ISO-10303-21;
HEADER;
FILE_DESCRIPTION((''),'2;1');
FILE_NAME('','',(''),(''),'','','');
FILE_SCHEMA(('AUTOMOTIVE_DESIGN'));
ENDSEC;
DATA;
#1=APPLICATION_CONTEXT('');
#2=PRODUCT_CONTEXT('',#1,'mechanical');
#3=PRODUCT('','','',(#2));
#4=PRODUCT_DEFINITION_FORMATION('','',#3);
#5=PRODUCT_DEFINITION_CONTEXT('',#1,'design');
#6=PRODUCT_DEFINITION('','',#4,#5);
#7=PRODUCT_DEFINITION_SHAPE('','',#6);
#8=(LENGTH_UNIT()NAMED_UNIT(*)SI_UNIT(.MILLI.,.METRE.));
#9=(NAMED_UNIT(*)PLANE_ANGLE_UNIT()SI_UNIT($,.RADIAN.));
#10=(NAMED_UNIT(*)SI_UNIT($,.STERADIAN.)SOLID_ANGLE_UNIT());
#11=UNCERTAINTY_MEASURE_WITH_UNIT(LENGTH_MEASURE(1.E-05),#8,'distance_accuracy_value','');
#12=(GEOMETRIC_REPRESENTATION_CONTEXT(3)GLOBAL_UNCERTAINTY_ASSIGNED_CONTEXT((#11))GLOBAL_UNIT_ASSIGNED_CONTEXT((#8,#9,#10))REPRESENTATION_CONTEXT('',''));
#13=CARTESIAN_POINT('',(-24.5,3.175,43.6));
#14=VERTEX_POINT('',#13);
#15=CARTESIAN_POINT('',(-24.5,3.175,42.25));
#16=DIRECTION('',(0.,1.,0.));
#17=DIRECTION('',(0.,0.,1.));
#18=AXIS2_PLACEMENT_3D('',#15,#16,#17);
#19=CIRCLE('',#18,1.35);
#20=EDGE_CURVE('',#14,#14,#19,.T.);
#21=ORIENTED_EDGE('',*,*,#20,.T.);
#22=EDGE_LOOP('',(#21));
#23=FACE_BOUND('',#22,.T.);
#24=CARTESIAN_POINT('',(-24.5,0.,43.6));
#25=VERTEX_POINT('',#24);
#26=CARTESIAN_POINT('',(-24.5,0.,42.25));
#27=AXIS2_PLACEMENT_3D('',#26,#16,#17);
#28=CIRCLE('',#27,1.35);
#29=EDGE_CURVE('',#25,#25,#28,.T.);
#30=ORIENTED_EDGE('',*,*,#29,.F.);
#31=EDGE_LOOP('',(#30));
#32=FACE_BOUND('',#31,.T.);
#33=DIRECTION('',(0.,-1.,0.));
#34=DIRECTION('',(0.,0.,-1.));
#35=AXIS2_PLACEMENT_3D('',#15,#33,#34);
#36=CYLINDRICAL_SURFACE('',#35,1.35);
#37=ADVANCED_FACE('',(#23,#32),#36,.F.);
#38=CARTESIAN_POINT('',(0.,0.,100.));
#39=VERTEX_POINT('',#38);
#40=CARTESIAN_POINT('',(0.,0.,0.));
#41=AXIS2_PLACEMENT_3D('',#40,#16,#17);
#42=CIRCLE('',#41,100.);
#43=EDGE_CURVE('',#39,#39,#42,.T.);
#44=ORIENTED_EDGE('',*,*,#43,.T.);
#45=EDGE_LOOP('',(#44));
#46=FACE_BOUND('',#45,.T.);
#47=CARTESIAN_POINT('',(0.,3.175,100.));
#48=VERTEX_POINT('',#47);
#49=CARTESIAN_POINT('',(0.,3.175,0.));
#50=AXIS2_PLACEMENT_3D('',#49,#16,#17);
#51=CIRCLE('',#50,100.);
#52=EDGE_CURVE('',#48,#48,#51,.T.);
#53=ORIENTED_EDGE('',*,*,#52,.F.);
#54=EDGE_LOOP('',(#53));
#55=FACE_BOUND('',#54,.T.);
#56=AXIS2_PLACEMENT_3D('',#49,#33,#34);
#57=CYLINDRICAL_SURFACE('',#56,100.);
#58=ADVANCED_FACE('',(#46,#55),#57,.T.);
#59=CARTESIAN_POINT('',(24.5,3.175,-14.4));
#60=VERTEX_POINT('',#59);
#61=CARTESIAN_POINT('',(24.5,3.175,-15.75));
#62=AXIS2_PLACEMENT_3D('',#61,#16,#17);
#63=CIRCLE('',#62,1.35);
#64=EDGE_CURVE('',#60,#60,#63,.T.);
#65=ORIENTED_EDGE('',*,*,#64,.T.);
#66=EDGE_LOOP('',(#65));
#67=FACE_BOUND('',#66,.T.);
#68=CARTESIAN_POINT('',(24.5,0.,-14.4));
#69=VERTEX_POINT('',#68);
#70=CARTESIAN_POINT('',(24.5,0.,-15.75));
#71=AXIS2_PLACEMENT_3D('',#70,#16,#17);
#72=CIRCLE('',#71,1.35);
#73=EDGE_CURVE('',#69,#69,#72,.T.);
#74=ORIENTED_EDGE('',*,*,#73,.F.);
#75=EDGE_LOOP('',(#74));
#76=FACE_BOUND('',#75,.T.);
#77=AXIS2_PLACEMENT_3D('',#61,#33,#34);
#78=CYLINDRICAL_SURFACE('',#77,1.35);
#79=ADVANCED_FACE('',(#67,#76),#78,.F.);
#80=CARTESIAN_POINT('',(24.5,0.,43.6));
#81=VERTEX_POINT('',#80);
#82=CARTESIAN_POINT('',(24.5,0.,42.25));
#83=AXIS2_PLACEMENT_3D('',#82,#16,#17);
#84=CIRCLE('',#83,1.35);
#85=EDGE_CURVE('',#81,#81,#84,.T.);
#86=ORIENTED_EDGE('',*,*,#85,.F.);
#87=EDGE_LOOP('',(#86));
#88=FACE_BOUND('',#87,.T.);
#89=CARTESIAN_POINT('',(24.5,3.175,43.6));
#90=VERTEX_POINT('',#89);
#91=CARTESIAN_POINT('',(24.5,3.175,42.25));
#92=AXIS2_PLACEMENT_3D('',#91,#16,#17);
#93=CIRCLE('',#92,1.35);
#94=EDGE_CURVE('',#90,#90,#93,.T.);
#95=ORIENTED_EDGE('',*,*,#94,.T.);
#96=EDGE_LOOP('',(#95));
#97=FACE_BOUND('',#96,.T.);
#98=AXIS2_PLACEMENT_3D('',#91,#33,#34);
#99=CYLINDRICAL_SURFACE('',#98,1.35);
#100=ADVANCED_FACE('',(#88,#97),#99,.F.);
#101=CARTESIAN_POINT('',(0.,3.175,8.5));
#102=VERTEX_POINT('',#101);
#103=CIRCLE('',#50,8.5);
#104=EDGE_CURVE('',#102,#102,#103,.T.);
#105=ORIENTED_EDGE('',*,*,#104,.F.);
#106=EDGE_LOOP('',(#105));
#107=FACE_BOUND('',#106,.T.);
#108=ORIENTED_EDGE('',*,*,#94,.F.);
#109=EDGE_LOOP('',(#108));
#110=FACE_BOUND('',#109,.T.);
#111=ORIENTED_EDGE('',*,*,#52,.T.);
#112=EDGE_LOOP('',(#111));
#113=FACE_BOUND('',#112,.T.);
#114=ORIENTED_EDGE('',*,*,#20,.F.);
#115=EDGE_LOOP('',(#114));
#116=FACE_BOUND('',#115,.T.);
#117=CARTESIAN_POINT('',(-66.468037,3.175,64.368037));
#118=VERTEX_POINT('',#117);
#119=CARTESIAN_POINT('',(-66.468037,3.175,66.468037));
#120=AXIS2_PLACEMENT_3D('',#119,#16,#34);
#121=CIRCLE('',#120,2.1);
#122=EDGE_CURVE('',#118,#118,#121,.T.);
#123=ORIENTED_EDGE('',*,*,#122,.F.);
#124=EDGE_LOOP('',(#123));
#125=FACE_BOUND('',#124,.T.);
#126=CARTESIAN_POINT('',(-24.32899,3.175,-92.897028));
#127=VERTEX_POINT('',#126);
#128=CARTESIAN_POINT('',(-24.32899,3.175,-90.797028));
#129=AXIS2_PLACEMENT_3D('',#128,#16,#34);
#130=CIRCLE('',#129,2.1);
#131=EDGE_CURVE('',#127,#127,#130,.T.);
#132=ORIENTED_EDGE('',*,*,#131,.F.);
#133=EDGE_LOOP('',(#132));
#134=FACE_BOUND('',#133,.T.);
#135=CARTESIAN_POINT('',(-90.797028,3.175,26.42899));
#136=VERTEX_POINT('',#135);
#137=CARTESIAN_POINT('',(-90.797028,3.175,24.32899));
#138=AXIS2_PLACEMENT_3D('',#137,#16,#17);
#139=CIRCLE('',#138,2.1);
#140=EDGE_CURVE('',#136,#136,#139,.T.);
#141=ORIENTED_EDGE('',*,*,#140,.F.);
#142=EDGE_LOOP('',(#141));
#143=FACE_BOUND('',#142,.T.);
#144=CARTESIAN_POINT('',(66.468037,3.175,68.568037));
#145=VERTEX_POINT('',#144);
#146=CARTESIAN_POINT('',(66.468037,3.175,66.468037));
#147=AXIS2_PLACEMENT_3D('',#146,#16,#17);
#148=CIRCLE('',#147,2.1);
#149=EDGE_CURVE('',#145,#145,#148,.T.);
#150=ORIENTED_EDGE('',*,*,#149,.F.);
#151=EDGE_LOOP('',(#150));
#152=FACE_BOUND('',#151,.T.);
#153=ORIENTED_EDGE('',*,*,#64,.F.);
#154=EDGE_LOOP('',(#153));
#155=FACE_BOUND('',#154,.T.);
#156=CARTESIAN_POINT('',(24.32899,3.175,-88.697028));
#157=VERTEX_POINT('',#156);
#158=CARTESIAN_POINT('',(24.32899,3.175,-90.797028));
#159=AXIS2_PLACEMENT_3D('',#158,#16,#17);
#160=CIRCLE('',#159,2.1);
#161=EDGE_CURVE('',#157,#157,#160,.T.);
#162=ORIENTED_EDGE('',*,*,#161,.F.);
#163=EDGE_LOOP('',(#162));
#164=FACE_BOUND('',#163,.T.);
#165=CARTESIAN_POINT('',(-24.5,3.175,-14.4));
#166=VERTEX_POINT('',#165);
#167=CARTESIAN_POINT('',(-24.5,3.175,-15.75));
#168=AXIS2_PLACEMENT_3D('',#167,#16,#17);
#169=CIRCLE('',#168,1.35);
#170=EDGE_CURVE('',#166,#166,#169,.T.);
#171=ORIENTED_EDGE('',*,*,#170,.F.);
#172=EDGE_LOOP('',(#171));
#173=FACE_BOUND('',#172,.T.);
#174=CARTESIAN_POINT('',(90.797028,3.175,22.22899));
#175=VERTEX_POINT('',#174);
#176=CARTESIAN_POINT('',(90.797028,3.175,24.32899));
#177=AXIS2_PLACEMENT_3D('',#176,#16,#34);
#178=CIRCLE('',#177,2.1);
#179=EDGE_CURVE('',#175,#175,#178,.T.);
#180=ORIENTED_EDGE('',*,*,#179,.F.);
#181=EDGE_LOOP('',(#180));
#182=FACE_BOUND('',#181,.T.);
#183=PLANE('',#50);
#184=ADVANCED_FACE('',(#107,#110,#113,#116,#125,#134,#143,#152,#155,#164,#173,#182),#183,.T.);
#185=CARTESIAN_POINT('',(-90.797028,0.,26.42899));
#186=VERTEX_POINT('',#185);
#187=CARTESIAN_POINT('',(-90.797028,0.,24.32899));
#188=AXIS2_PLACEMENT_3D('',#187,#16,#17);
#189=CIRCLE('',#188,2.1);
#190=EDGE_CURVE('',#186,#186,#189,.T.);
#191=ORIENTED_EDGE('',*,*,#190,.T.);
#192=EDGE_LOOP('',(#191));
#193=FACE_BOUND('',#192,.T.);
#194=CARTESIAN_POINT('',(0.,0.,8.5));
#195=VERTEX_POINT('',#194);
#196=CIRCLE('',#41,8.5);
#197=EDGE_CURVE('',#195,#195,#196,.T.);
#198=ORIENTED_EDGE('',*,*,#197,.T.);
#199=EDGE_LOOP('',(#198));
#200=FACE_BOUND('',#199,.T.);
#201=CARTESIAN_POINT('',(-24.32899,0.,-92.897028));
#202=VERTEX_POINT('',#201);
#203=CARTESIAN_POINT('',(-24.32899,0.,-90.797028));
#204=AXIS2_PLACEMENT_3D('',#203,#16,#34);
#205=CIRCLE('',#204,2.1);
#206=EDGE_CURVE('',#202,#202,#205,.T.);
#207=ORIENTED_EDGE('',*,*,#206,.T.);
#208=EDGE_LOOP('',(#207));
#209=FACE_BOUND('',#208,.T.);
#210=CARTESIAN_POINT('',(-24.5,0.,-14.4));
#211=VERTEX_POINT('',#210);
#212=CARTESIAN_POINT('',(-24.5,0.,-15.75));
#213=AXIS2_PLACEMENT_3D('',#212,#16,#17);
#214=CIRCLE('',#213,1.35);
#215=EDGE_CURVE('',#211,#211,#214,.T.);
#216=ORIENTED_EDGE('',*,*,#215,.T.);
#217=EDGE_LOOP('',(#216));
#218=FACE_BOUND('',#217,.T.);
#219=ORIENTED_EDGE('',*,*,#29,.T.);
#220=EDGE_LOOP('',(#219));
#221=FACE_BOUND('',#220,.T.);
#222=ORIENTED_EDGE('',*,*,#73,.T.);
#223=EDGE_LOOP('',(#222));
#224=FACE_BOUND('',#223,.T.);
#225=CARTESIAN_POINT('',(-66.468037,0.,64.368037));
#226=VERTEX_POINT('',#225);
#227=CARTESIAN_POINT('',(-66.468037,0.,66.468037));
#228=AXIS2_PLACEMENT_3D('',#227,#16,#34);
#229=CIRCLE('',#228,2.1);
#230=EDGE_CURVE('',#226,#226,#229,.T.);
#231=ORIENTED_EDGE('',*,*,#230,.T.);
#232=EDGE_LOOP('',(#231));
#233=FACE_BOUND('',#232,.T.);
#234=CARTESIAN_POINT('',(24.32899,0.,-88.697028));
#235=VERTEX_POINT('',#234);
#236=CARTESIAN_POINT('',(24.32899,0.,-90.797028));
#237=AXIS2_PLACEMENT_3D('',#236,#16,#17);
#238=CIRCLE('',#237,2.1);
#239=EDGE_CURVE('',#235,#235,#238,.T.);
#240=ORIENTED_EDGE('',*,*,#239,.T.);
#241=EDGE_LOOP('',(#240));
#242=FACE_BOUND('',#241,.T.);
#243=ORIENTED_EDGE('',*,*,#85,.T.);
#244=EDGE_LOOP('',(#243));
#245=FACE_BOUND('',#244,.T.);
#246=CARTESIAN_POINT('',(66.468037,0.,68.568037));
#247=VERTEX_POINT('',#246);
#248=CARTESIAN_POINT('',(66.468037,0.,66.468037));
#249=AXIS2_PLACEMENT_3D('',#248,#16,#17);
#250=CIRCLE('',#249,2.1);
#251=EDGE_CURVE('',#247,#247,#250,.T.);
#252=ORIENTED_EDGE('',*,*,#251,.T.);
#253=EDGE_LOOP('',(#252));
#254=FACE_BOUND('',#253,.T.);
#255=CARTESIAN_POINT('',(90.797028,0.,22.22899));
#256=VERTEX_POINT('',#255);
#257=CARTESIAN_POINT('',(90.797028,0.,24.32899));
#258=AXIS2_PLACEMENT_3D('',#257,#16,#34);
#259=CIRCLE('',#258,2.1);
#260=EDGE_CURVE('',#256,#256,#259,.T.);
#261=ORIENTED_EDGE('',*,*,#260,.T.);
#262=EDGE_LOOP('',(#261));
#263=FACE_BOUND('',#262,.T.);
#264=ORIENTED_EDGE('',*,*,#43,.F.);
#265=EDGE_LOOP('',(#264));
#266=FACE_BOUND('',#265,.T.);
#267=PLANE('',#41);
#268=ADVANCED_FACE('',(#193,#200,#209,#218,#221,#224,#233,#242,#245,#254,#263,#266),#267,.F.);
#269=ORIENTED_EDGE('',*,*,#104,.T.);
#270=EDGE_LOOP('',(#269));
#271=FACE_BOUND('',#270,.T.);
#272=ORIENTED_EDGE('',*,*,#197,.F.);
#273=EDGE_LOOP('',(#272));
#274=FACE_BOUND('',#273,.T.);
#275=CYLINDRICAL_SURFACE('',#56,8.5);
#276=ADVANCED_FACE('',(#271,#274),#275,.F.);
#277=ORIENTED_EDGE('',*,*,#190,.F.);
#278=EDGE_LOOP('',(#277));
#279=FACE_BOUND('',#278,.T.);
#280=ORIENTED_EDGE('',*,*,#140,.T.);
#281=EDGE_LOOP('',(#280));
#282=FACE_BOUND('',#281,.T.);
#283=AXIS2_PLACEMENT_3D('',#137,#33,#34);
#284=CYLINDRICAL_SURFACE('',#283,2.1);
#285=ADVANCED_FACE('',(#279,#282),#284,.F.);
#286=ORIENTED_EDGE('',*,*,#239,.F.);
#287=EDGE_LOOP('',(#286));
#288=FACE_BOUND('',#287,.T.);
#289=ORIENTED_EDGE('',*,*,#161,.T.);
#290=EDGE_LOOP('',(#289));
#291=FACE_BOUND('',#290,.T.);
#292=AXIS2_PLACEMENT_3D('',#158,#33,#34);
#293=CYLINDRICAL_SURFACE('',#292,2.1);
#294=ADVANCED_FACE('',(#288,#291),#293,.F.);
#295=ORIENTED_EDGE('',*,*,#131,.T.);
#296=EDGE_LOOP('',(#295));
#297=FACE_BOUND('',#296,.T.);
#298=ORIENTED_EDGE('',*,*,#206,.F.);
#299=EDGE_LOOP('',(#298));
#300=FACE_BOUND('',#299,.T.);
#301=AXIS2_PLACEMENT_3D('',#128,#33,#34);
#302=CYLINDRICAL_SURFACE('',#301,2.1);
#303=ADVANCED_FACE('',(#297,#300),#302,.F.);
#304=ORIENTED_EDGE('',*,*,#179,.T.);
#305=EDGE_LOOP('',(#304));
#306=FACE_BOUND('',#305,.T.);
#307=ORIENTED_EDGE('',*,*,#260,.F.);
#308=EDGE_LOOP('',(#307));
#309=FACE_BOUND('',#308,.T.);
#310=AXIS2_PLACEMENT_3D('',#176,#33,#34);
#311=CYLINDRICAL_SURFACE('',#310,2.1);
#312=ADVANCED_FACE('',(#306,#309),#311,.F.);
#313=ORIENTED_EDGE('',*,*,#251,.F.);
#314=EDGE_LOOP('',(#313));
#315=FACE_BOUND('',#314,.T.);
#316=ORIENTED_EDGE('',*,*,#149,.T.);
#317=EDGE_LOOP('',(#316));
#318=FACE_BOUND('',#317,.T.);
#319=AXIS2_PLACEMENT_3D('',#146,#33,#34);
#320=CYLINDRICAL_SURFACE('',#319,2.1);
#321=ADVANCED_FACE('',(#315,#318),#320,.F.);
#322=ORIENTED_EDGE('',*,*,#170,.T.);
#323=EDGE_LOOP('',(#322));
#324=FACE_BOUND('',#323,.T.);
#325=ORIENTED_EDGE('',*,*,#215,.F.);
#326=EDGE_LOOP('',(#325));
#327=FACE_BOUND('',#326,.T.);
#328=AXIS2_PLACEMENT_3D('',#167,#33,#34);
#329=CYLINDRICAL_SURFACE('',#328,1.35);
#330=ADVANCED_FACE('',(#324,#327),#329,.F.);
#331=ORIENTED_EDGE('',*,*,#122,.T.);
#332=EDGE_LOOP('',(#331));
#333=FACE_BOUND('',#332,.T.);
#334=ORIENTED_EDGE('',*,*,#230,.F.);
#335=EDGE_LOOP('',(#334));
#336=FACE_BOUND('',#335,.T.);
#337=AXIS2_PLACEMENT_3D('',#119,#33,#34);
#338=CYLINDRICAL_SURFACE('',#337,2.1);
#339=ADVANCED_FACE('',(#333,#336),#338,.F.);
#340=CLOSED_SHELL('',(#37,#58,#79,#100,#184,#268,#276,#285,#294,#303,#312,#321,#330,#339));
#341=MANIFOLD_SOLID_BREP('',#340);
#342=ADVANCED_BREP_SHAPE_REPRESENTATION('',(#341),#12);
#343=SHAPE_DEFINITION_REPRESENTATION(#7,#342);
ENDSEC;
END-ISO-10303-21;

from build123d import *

# Parameters (mm, degrees)
SKETCH1_R           = 100
SKETCH1_R_2         = 2.1
SKETCH1_R_3         = 1.35
SKETCH1_R_4         = 8.5
BOSS_EXTRUDE1_DEPTH = 3.175


with BuildPart() as part:
    # Sketch1 → Boss-Extrude1 (new body)
    with BuildSketch(Plane(origin=(0, 0, 0), x_dir=(1, 0, 0), z_dir=(0, 1, 0))):
        with Locations(Location((0, 0, 0), (0, 0, 270))):
            Circle(SKETCH1_R)
        with Locations(Location((24.32899024, 90.797027671, 0), (0, 0, 270))):
            Circle(SKETCH1_R_2, mode=Mode.SUBTRACT)
        with Locations(Location((-24.32899024, 90.797027671, 0), (0, 0, 90))):
            Circle(SKETCH1_R_2, mode=Mode.SUBTRACT)
        with Locations(Location((90.797027671, -24.32899024, 0), (0, 0, 90))):
            Circle(SKETCH1_R_2, mode=Mode.SUBTRACT)
        with Locations(Location((66.468037432, -66.468037432, 0), (0, 0, 270))):
            Circle(SKETCH1_R_2, mode=Mode.SUBTRACT)
        with Locations(Location((-66.468037432, -66.468037432, 0), (0, 0, 90))):
            Circle(SKETCH1_R_2, mode=Mode.SUBTRACT)
        with Locations(Location((-90.797027671, -24.32899024, 0), (0, 0, 270))):
            Circle(SKETCH1_R_2, mode=Mode.SUBTRACT)
        with Locations(Location((-24.5, -42.25, 0), (0, 0, 270))):
            Circle(SKETCH1_R_3, mode=Mode.SUBTRACT)
        with Locations(Location((24.5, -42.25, 0), (0, 0, 270))):
            Circle(SKETCH1_R_3, mode=Mode.SUBTRACT)
        with Locations(Location((24.5, 15.75, 0), (0, 0, 270))):
            Circle(SKETCH1_R_3, mode=Mode.SUBTRACT)
        with Locations(Location((-24.5, 15.75, 0), (0, 0, 270))):
            Circle(SKETCH1_R_3, mode=Mode.SUBTRACT)
        with Locations(Location((0, 0, 0), (0, 0, 270))):
            Circle(SKETCH1_R_4, mode=Mode.SUBTRACT)
    extrude(amount=BOSS_EXTRUDE1_DEPTH)


solid = part.part
